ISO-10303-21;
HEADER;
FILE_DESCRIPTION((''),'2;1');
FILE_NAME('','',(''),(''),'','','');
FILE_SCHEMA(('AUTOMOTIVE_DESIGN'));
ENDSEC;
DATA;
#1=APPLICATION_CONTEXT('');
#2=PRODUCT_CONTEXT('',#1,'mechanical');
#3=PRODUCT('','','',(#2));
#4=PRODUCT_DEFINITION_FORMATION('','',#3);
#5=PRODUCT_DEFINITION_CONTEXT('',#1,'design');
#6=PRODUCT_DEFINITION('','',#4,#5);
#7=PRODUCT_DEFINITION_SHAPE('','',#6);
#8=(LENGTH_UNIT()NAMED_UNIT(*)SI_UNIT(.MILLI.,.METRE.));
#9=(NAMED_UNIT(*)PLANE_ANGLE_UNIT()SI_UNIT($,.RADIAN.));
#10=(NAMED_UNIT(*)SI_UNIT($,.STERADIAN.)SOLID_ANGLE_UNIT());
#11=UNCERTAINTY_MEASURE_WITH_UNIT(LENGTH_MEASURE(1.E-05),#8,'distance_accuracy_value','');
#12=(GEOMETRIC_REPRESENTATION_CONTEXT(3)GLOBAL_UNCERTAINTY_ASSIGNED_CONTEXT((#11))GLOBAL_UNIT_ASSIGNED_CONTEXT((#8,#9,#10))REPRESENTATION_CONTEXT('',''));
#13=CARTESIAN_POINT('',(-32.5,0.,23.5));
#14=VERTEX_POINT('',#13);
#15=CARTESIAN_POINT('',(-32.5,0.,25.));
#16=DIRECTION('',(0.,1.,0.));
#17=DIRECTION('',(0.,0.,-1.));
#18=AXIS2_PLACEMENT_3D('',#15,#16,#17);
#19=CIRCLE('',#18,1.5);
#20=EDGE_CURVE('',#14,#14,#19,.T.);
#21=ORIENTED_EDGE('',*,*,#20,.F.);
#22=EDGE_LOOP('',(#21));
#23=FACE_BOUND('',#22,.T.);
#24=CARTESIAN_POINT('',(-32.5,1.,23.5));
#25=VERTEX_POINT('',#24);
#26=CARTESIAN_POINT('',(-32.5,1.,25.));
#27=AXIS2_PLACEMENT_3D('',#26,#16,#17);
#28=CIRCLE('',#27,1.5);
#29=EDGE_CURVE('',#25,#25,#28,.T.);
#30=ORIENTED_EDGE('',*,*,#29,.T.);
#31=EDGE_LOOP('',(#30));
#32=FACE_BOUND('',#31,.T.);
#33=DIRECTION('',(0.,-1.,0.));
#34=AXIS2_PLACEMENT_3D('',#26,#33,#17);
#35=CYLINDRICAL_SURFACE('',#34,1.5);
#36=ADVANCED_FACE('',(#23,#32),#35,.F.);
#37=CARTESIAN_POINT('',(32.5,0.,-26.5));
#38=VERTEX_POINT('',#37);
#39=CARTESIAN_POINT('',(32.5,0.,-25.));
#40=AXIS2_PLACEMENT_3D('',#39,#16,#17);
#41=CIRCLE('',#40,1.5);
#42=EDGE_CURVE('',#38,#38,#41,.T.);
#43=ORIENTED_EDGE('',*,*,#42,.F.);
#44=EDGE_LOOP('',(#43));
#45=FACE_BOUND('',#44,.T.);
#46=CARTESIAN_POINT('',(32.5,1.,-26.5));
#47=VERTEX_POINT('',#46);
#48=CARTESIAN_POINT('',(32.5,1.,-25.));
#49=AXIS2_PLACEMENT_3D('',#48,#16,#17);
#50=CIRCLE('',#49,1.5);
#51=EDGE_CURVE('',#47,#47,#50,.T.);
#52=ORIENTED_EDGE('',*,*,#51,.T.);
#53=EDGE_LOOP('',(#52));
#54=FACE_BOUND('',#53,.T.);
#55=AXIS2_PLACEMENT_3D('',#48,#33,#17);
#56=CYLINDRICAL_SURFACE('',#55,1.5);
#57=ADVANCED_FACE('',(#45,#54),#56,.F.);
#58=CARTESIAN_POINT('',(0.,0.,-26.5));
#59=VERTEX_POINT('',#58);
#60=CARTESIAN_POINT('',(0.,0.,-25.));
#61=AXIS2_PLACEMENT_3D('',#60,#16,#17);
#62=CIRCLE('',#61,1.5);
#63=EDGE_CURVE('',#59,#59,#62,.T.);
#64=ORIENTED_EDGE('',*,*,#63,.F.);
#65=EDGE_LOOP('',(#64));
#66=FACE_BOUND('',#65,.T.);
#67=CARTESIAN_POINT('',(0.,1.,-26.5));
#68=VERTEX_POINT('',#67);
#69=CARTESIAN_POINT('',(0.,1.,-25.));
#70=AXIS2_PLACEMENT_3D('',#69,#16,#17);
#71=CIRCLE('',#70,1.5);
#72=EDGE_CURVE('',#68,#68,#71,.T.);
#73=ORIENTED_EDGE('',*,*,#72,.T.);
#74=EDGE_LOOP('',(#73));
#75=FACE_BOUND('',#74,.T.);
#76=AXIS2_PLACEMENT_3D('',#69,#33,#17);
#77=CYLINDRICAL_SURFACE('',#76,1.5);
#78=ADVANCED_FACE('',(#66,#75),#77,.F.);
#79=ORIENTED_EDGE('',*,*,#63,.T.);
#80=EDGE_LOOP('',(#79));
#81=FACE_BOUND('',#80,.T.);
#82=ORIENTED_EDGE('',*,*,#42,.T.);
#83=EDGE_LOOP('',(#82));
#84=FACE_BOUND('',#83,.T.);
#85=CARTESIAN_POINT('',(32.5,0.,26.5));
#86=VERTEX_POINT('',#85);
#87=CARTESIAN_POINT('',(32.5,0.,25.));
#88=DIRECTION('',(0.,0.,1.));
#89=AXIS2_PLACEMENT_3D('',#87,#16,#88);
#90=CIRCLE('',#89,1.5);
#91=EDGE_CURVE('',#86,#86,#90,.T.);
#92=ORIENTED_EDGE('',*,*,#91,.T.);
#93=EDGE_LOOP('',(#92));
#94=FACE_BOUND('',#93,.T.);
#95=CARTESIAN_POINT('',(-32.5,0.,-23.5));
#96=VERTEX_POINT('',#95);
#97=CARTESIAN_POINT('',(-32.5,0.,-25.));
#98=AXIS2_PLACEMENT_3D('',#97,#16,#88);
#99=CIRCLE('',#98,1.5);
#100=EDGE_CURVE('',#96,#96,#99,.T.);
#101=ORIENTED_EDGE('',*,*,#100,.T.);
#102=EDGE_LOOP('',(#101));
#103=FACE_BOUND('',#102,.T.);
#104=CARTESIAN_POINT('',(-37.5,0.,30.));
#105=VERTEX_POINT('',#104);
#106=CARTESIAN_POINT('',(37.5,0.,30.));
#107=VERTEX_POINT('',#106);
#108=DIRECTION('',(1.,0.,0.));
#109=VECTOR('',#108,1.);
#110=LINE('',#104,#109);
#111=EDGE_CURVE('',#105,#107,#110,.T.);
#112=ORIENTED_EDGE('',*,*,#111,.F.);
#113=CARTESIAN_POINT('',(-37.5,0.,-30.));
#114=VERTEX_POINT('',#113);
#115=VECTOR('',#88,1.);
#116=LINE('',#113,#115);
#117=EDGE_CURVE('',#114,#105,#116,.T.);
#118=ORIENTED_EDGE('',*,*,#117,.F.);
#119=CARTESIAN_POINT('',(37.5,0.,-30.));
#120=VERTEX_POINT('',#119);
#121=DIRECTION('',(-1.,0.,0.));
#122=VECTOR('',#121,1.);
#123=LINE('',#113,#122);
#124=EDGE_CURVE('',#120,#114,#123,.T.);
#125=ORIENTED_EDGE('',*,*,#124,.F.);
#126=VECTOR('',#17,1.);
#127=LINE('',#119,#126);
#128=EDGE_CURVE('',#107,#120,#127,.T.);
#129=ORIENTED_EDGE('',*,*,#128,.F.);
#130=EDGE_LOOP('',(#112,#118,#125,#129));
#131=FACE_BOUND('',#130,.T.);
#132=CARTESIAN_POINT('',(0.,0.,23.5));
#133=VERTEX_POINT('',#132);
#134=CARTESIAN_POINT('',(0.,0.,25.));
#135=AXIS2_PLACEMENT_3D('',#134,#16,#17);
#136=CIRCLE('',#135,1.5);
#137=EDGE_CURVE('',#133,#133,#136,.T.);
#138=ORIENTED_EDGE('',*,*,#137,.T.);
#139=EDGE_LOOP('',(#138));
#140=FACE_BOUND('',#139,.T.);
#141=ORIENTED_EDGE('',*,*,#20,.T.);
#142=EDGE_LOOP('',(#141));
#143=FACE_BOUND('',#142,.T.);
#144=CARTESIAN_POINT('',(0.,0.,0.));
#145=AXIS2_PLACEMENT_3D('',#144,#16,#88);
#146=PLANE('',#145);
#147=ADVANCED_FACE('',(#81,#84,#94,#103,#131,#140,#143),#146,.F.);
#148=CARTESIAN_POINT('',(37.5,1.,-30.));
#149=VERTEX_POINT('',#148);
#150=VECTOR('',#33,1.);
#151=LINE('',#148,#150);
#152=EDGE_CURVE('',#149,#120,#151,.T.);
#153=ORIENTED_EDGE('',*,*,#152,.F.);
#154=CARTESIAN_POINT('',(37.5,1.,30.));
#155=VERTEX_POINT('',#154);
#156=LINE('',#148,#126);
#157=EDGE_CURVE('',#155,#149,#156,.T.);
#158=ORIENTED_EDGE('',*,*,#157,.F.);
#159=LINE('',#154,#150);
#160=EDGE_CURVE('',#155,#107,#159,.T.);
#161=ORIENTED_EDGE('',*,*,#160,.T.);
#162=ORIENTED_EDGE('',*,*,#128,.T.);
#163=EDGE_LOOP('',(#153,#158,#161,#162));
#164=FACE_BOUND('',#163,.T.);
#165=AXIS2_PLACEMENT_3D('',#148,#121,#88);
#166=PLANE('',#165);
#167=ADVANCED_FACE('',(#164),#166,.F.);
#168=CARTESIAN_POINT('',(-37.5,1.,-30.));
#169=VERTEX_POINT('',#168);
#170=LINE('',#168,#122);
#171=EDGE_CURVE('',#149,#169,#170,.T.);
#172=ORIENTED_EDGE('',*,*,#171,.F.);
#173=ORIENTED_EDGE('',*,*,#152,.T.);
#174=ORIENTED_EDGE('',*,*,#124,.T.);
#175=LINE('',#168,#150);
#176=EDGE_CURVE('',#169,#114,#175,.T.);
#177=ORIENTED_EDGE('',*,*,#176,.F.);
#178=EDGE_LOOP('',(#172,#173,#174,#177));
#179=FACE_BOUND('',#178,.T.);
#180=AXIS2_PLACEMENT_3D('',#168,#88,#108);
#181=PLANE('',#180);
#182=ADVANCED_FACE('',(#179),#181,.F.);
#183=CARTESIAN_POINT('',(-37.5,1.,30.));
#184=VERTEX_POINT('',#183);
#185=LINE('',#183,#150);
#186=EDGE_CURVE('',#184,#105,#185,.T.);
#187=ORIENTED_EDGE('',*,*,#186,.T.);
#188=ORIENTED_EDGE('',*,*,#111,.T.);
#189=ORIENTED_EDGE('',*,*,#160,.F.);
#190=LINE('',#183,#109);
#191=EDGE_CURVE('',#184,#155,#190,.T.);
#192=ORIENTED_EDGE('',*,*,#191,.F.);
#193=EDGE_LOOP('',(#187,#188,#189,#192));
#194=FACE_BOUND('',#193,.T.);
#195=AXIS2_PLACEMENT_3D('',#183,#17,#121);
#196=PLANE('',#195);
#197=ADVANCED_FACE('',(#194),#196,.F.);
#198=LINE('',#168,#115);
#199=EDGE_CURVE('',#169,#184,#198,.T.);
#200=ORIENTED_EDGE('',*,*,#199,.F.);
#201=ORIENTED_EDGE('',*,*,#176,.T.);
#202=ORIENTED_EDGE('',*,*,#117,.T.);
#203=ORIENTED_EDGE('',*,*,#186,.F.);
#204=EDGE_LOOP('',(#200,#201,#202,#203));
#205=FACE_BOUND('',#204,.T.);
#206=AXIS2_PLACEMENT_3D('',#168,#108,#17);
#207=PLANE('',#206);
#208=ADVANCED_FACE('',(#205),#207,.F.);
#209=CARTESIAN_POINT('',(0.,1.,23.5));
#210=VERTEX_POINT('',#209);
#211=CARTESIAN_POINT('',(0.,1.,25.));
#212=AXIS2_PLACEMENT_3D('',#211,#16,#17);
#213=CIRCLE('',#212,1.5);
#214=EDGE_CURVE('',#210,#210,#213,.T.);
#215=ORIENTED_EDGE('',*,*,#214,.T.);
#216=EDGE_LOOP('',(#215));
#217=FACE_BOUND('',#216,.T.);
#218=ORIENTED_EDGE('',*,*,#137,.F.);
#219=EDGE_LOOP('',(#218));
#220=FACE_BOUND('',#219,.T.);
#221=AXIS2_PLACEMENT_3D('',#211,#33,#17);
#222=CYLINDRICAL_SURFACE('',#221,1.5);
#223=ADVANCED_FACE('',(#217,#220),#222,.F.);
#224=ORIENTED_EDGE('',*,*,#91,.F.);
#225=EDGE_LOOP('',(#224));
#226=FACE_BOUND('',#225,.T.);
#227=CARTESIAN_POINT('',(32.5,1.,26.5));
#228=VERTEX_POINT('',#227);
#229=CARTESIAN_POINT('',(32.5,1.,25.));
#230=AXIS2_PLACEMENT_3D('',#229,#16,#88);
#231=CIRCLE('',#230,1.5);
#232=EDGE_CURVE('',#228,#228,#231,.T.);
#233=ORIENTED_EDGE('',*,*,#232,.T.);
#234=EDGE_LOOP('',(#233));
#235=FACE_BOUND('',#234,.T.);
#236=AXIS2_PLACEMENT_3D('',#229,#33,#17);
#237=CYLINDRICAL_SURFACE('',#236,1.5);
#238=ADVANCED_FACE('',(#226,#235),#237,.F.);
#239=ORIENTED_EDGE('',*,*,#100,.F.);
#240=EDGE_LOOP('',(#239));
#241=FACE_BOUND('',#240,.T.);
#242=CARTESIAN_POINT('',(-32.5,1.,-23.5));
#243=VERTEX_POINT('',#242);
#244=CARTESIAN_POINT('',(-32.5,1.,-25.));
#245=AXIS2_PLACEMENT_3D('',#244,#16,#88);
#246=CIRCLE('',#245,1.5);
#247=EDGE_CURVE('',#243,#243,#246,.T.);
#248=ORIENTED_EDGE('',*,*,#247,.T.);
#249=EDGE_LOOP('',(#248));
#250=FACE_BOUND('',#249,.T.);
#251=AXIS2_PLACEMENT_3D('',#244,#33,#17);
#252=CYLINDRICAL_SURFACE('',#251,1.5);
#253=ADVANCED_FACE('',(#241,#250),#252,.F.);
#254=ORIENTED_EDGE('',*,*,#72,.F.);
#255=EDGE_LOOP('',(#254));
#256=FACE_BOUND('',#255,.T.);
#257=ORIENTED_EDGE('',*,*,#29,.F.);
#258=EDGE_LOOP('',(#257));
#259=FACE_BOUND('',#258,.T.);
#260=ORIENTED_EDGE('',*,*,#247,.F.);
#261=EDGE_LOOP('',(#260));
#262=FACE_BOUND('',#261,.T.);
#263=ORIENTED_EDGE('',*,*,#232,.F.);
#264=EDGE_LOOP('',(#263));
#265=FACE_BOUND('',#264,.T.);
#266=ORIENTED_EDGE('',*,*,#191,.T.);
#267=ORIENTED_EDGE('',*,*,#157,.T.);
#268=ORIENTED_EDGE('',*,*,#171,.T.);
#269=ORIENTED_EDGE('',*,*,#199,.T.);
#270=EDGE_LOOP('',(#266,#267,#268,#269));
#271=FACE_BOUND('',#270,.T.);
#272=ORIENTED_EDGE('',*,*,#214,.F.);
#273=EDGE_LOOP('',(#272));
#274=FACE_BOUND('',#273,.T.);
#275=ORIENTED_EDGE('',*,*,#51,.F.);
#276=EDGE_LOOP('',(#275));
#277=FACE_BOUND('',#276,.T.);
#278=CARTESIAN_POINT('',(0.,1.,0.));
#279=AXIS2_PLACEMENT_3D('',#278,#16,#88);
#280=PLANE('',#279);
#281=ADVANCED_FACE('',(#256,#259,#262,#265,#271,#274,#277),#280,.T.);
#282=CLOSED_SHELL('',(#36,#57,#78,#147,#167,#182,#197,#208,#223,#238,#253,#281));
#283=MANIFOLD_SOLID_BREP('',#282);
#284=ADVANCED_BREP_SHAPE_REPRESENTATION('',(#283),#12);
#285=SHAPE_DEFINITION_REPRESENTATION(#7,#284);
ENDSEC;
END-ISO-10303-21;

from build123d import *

# Parameters (mm, degrees)
SKETCH_1_W          = 75
SKETCH_1_H          = 60
EXTRUDE_1_DEPTH     = 1
SKETCH_2_R          = 1.5
CUT_EXTRUDE_1_DEPTH = 49.033842236


with BuildPart() as part:
    # 草图1 → 凸台-拉伸1 (new body)
    with BuildSketch(Plane(origin=(0, 0, 0), x_dir=(1, 0, 0), z_dir=(0, 1, 0))):
        Rectangle(SKETCH_1_W, SKETCH_1_H)
    extrude(amount=EXTRUDE_1_DEPTH)

    # 草图2 → 切除-拉伸1 (cut, through all)
    with BuildSketch(Plane(origin=(0, 0, 0), x_dir=(1, 0, 0), z_dir=(0, 1, 0))):
        with Locations(Location((-32.5, 25, 0), (0, 0, 270))):
            Circle(SKETCH_2_R)
        with Locations(Location((-32.5, -25, 0), (0, 0, 90))):
            Circle(SKETCH_2_R)
        with Locations(Location((32.5, -25, 0), (0, 0, 270))):
            Circle(SKETCH_2_R)
        with Locations(Location((32.5, 25, 0), (0, 0, 90))):
            Circle(SKETCH_2_R)
        with Locations(Location((0, -25, 0), (0, 0, 90))):
            Circle(SKETCH_2_R)
        with Locations(Location((0, 25, 0), (0, 0, 90))):
            Circle(SKETCH_2_R)
    extrude(amount=CUT_EXTRUDE_1_DEPTH, mode=Mode.SUBTRACT)


solid = part.part
